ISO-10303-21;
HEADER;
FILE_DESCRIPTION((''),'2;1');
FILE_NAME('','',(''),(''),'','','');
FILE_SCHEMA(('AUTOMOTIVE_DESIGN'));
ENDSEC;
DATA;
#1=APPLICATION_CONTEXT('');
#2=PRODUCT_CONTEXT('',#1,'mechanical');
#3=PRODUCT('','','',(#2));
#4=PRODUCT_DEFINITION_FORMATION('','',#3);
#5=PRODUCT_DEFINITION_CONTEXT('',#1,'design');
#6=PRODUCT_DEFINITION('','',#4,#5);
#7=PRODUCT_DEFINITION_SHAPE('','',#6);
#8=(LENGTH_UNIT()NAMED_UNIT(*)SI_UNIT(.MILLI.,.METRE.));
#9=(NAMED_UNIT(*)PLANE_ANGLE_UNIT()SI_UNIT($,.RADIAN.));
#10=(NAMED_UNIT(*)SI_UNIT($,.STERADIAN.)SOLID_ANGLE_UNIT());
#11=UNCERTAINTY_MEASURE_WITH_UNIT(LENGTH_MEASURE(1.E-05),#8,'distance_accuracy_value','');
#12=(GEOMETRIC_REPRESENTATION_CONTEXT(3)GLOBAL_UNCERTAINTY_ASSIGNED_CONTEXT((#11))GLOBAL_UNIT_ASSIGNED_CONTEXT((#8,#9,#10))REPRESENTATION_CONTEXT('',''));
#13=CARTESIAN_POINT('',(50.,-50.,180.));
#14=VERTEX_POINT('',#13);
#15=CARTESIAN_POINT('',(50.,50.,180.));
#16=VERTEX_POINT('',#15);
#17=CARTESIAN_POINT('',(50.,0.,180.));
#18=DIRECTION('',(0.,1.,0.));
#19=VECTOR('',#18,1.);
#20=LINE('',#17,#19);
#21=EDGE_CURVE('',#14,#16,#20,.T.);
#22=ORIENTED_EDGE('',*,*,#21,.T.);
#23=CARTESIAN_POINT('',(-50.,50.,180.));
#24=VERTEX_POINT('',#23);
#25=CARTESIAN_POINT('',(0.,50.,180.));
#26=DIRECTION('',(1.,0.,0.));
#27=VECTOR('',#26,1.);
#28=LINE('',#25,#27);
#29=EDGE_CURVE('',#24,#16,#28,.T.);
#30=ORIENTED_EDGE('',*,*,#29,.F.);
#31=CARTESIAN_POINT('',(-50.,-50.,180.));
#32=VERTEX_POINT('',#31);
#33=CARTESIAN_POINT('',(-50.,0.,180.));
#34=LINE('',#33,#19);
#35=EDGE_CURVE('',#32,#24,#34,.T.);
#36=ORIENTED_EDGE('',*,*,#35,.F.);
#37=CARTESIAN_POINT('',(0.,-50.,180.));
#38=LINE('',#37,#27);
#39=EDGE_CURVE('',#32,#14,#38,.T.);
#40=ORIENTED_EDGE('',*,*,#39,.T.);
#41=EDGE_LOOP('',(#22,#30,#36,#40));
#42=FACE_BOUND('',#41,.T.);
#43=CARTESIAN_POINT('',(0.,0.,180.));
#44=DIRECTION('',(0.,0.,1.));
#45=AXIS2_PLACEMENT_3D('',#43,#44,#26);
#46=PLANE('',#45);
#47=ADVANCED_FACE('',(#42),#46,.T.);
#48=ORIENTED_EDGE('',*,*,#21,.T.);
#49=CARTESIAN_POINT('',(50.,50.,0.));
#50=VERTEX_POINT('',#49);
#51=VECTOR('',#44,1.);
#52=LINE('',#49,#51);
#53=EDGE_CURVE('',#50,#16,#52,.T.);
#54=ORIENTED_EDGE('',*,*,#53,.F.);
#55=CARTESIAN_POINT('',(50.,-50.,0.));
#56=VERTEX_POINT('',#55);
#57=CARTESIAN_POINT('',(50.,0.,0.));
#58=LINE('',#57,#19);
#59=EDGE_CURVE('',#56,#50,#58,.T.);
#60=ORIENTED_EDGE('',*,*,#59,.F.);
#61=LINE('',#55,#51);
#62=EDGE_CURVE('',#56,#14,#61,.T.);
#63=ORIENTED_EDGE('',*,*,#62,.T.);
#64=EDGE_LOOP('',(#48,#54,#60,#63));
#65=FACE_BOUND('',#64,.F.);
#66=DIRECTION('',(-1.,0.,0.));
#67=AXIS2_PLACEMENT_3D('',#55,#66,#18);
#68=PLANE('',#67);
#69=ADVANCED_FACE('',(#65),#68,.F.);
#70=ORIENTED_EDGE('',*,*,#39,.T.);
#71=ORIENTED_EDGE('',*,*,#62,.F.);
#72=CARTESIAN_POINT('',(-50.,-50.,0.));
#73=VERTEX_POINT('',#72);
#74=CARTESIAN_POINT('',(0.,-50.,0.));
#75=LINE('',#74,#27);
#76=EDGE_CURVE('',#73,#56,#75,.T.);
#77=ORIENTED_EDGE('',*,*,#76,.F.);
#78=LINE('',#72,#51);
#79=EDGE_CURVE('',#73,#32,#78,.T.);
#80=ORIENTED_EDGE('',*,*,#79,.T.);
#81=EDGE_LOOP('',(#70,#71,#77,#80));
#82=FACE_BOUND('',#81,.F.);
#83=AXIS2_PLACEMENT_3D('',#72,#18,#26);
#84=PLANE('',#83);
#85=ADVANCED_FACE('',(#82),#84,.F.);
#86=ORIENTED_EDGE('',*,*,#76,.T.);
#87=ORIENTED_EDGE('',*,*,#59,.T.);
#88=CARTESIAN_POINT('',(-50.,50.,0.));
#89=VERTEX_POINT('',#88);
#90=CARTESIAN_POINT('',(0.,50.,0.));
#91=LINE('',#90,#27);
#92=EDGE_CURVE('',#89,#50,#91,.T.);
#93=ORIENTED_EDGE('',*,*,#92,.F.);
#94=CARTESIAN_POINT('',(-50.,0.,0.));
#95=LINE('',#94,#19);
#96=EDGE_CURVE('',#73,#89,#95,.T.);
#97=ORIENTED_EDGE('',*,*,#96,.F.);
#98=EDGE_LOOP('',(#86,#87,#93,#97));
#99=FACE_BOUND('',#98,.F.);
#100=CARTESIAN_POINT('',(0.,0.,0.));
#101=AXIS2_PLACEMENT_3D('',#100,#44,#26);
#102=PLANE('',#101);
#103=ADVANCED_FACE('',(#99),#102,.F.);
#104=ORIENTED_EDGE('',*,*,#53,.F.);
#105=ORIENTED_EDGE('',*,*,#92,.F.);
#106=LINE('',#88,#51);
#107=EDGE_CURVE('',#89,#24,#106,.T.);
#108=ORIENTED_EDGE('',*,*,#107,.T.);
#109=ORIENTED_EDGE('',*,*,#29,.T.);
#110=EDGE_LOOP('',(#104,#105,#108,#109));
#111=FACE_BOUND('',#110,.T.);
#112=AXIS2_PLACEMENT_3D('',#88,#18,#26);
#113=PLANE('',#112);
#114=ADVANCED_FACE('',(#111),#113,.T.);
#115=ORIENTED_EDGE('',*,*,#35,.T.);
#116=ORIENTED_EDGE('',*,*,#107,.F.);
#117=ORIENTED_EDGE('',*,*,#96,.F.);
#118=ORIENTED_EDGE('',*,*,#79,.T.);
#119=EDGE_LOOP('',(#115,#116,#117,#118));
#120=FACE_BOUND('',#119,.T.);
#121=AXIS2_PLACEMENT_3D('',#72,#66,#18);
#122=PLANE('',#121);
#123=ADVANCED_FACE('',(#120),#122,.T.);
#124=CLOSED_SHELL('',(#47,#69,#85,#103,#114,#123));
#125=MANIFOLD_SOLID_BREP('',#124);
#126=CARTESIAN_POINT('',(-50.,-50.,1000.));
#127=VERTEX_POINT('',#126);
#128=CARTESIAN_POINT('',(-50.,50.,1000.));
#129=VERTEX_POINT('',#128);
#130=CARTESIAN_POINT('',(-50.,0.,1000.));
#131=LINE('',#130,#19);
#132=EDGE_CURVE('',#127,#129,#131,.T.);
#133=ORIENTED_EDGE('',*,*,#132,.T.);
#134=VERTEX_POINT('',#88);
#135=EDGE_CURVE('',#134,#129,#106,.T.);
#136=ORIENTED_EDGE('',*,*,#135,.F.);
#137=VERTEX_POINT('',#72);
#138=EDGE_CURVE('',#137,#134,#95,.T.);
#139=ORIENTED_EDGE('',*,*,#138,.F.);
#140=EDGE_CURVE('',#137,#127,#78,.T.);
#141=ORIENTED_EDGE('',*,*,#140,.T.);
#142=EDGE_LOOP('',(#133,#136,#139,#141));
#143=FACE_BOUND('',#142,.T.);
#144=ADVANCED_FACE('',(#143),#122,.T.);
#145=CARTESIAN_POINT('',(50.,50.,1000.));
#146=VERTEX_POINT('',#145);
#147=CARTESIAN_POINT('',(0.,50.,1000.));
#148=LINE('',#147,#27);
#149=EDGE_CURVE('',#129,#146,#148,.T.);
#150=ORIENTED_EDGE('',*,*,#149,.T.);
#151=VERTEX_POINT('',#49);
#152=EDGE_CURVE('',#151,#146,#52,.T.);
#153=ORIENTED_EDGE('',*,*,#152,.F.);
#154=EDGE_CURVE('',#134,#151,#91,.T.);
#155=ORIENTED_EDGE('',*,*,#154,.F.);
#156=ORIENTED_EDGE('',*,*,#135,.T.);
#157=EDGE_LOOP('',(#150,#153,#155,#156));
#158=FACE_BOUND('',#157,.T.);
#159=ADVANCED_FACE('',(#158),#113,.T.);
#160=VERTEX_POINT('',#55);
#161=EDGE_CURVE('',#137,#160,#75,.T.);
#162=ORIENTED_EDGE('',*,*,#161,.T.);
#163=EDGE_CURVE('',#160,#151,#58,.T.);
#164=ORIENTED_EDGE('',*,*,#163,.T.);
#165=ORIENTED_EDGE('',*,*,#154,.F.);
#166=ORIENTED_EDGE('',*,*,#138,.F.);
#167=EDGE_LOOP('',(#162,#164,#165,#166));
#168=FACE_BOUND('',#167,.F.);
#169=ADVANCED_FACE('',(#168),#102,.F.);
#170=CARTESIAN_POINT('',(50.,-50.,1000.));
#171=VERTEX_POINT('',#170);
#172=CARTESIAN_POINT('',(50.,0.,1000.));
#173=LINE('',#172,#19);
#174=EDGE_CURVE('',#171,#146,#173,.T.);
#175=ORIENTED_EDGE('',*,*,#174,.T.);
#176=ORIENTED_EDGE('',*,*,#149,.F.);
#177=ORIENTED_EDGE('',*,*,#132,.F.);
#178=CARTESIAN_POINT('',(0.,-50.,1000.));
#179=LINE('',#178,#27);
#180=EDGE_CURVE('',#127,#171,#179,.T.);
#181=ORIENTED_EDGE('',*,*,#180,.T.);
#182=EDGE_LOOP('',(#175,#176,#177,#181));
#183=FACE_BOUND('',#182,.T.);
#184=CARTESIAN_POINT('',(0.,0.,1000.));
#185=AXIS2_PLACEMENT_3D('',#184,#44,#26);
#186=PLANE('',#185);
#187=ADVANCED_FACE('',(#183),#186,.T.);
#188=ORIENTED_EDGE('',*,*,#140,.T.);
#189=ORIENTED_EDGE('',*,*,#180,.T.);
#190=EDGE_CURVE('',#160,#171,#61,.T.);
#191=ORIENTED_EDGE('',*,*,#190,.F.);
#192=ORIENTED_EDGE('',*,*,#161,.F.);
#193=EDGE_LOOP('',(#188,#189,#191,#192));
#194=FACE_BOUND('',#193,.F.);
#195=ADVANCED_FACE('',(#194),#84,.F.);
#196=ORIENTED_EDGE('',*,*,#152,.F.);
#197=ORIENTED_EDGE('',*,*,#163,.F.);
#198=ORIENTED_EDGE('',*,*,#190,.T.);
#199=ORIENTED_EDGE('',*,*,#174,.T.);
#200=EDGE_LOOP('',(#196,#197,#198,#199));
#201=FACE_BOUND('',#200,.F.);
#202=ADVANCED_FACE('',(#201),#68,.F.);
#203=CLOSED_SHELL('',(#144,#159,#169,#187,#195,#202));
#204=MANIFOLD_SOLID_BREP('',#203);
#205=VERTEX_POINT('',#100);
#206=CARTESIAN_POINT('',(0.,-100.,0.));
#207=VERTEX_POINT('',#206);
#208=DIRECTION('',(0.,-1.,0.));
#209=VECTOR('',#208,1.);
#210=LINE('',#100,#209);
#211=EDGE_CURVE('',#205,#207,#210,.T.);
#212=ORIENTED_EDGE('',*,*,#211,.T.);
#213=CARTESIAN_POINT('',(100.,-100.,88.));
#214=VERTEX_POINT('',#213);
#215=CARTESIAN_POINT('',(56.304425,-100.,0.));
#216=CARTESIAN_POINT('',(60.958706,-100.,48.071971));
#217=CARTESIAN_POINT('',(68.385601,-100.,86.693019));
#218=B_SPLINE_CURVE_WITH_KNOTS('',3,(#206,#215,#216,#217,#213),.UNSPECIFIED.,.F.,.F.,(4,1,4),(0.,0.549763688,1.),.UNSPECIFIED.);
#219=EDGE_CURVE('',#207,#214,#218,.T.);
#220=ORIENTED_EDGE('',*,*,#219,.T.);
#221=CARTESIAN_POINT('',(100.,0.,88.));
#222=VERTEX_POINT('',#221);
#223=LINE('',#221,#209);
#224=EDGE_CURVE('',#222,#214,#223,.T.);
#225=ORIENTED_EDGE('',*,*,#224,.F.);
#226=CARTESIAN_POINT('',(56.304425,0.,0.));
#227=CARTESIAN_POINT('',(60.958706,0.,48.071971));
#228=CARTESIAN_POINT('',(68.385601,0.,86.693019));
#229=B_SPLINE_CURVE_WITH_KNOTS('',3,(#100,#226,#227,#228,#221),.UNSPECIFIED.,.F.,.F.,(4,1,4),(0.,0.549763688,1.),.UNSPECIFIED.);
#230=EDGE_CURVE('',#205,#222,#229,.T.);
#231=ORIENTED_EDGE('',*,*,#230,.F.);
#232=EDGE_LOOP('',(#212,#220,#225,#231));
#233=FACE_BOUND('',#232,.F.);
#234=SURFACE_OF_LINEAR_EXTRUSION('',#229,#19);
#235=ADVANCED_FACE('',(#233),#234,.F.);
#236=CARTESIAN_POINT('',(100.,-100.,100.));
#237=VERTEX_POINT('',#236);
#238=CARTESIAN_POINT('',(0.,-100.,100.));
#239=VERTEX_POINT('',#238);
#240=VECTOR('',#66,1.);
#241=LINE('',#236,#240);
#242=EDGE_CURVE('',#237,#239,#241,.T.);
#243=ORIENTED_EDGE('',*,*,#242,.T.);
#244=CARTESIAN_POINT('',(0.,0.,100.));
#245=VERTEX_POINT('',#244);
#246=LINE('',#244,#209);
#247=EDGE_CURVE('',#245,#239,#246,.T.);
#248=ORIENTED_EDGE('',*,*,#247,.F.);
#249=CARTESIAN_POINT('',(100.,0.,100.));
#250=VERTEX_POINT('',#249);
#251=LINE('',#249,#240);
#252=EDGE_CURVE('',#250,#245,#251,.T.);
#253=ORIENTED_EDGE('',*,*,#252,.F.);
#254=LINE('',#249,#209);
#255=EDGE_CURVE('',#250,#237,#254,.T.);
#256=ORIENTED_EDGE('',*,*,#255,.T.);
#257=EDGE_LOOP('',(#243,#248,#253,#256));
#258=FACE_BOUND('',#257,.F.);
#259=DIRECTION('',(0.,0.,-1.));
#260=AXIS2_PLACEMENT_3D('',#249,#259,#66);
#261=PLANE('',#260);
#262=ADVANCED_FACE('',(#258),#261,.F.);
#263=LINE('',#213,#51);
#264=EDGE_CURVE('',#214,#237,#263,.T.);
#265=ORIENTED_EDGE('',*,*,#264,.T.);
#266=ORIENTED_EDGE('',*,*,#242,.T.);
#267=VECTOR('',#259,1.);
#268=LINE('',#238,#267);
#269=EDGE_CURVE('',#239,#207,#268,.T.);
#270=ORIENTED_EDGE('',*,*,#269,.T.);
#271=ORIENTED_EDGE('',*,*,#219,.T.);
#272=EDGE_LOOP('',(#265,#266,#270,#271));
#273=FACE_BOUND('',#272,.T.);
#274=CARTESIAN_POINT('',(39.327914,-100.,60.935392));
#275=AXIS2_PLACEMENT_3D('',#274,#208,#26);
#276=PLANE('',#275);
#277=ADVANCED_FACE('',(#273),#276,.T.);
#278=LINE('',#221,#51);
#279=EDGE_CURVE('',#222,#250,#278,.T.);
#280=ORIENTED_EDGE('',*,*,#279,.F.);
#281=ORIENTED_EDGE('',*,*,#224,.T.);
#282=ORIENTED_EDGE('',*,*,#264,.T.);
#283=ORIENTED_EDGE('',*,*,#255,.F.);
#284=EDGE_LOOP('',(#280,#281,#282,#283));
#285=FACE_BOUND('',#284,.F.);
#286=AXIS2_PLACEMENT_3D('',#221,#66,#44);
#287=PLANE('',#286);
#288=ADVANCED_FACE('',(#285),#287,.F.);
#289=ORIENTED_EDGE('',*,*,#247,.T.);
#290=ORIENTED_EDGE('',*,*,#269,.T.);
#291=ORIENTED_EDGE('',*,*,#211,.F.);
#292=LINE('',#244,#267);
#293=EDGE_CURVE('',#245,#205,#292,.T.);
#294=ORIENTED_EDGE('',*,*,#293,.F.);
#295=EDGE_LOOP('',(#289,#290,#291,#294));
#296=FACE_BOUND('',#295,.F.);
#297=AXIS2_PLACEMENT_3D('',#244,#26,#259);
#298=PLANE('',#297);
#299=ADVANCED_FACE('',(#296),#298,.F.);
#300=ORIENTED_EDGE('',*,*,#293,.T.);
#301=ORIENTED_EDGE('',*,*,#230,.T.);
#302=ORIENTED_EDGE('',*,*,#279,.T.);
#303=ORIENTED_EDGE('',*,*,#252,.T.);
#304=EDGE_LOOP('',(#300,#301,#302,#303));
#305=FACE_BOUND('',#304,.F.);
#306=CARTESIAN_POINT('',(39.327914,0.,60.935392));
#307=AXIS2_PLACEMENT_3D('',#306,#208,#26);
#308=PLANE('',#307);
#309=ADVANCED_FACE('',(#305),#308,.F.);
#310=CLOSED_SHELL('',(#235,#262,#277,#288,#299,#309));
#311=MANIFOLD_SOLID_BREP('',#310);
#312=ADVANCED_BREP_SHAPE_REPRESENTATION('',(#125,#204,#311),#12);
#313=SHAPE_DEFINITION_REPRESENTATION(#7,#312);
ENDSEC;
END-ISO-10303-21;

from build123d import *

# Parameters (mm, degrees)
F0_W     = 100
F0_H     = 100
F1_DEPTH = 1000
F2_DEPTH = 180
F4_DEPTH = 100


with BuildPart() as f1:
    # F0 (on Top) → F1 (new body)
    with BuildSketch(Plane.XY):
        Rectangle(F0_W, F0_H)
    extrude(amount=F1_DEPTH)


with BuildPart() as f2:
    # F0 (on Top) → F2 (new body)
    with BuildSketch(Plane.XY):
        Rectangle(F0_W, F0_H)
    extrude(amount=F2_DEPTH)


with BuildPart() as f4:
    # F3 (on Front) → F4 (new body)
    with BuildSketch(Plane.XZ):
        with BuildLine():
            Line((0, 100), (0, 0))
            add(Edge.make_bspline(
                [(0, 0), (56.3044250011, 0), (60.9587058973, 48.071970967), (68.3856010437, 86.6930186749), (100, 88)],
                knots=[0, 0, 0, 0, 0.5497636882, 1, 1, 1, 1], degree=3))
            Line((100, 88), (100, 100))
            Line((100, 100), (0, 100))
        make_face()
    extrude(amount=F4_DEPTH)


solid = Compound([f1.part, f2.part, f4.part])
